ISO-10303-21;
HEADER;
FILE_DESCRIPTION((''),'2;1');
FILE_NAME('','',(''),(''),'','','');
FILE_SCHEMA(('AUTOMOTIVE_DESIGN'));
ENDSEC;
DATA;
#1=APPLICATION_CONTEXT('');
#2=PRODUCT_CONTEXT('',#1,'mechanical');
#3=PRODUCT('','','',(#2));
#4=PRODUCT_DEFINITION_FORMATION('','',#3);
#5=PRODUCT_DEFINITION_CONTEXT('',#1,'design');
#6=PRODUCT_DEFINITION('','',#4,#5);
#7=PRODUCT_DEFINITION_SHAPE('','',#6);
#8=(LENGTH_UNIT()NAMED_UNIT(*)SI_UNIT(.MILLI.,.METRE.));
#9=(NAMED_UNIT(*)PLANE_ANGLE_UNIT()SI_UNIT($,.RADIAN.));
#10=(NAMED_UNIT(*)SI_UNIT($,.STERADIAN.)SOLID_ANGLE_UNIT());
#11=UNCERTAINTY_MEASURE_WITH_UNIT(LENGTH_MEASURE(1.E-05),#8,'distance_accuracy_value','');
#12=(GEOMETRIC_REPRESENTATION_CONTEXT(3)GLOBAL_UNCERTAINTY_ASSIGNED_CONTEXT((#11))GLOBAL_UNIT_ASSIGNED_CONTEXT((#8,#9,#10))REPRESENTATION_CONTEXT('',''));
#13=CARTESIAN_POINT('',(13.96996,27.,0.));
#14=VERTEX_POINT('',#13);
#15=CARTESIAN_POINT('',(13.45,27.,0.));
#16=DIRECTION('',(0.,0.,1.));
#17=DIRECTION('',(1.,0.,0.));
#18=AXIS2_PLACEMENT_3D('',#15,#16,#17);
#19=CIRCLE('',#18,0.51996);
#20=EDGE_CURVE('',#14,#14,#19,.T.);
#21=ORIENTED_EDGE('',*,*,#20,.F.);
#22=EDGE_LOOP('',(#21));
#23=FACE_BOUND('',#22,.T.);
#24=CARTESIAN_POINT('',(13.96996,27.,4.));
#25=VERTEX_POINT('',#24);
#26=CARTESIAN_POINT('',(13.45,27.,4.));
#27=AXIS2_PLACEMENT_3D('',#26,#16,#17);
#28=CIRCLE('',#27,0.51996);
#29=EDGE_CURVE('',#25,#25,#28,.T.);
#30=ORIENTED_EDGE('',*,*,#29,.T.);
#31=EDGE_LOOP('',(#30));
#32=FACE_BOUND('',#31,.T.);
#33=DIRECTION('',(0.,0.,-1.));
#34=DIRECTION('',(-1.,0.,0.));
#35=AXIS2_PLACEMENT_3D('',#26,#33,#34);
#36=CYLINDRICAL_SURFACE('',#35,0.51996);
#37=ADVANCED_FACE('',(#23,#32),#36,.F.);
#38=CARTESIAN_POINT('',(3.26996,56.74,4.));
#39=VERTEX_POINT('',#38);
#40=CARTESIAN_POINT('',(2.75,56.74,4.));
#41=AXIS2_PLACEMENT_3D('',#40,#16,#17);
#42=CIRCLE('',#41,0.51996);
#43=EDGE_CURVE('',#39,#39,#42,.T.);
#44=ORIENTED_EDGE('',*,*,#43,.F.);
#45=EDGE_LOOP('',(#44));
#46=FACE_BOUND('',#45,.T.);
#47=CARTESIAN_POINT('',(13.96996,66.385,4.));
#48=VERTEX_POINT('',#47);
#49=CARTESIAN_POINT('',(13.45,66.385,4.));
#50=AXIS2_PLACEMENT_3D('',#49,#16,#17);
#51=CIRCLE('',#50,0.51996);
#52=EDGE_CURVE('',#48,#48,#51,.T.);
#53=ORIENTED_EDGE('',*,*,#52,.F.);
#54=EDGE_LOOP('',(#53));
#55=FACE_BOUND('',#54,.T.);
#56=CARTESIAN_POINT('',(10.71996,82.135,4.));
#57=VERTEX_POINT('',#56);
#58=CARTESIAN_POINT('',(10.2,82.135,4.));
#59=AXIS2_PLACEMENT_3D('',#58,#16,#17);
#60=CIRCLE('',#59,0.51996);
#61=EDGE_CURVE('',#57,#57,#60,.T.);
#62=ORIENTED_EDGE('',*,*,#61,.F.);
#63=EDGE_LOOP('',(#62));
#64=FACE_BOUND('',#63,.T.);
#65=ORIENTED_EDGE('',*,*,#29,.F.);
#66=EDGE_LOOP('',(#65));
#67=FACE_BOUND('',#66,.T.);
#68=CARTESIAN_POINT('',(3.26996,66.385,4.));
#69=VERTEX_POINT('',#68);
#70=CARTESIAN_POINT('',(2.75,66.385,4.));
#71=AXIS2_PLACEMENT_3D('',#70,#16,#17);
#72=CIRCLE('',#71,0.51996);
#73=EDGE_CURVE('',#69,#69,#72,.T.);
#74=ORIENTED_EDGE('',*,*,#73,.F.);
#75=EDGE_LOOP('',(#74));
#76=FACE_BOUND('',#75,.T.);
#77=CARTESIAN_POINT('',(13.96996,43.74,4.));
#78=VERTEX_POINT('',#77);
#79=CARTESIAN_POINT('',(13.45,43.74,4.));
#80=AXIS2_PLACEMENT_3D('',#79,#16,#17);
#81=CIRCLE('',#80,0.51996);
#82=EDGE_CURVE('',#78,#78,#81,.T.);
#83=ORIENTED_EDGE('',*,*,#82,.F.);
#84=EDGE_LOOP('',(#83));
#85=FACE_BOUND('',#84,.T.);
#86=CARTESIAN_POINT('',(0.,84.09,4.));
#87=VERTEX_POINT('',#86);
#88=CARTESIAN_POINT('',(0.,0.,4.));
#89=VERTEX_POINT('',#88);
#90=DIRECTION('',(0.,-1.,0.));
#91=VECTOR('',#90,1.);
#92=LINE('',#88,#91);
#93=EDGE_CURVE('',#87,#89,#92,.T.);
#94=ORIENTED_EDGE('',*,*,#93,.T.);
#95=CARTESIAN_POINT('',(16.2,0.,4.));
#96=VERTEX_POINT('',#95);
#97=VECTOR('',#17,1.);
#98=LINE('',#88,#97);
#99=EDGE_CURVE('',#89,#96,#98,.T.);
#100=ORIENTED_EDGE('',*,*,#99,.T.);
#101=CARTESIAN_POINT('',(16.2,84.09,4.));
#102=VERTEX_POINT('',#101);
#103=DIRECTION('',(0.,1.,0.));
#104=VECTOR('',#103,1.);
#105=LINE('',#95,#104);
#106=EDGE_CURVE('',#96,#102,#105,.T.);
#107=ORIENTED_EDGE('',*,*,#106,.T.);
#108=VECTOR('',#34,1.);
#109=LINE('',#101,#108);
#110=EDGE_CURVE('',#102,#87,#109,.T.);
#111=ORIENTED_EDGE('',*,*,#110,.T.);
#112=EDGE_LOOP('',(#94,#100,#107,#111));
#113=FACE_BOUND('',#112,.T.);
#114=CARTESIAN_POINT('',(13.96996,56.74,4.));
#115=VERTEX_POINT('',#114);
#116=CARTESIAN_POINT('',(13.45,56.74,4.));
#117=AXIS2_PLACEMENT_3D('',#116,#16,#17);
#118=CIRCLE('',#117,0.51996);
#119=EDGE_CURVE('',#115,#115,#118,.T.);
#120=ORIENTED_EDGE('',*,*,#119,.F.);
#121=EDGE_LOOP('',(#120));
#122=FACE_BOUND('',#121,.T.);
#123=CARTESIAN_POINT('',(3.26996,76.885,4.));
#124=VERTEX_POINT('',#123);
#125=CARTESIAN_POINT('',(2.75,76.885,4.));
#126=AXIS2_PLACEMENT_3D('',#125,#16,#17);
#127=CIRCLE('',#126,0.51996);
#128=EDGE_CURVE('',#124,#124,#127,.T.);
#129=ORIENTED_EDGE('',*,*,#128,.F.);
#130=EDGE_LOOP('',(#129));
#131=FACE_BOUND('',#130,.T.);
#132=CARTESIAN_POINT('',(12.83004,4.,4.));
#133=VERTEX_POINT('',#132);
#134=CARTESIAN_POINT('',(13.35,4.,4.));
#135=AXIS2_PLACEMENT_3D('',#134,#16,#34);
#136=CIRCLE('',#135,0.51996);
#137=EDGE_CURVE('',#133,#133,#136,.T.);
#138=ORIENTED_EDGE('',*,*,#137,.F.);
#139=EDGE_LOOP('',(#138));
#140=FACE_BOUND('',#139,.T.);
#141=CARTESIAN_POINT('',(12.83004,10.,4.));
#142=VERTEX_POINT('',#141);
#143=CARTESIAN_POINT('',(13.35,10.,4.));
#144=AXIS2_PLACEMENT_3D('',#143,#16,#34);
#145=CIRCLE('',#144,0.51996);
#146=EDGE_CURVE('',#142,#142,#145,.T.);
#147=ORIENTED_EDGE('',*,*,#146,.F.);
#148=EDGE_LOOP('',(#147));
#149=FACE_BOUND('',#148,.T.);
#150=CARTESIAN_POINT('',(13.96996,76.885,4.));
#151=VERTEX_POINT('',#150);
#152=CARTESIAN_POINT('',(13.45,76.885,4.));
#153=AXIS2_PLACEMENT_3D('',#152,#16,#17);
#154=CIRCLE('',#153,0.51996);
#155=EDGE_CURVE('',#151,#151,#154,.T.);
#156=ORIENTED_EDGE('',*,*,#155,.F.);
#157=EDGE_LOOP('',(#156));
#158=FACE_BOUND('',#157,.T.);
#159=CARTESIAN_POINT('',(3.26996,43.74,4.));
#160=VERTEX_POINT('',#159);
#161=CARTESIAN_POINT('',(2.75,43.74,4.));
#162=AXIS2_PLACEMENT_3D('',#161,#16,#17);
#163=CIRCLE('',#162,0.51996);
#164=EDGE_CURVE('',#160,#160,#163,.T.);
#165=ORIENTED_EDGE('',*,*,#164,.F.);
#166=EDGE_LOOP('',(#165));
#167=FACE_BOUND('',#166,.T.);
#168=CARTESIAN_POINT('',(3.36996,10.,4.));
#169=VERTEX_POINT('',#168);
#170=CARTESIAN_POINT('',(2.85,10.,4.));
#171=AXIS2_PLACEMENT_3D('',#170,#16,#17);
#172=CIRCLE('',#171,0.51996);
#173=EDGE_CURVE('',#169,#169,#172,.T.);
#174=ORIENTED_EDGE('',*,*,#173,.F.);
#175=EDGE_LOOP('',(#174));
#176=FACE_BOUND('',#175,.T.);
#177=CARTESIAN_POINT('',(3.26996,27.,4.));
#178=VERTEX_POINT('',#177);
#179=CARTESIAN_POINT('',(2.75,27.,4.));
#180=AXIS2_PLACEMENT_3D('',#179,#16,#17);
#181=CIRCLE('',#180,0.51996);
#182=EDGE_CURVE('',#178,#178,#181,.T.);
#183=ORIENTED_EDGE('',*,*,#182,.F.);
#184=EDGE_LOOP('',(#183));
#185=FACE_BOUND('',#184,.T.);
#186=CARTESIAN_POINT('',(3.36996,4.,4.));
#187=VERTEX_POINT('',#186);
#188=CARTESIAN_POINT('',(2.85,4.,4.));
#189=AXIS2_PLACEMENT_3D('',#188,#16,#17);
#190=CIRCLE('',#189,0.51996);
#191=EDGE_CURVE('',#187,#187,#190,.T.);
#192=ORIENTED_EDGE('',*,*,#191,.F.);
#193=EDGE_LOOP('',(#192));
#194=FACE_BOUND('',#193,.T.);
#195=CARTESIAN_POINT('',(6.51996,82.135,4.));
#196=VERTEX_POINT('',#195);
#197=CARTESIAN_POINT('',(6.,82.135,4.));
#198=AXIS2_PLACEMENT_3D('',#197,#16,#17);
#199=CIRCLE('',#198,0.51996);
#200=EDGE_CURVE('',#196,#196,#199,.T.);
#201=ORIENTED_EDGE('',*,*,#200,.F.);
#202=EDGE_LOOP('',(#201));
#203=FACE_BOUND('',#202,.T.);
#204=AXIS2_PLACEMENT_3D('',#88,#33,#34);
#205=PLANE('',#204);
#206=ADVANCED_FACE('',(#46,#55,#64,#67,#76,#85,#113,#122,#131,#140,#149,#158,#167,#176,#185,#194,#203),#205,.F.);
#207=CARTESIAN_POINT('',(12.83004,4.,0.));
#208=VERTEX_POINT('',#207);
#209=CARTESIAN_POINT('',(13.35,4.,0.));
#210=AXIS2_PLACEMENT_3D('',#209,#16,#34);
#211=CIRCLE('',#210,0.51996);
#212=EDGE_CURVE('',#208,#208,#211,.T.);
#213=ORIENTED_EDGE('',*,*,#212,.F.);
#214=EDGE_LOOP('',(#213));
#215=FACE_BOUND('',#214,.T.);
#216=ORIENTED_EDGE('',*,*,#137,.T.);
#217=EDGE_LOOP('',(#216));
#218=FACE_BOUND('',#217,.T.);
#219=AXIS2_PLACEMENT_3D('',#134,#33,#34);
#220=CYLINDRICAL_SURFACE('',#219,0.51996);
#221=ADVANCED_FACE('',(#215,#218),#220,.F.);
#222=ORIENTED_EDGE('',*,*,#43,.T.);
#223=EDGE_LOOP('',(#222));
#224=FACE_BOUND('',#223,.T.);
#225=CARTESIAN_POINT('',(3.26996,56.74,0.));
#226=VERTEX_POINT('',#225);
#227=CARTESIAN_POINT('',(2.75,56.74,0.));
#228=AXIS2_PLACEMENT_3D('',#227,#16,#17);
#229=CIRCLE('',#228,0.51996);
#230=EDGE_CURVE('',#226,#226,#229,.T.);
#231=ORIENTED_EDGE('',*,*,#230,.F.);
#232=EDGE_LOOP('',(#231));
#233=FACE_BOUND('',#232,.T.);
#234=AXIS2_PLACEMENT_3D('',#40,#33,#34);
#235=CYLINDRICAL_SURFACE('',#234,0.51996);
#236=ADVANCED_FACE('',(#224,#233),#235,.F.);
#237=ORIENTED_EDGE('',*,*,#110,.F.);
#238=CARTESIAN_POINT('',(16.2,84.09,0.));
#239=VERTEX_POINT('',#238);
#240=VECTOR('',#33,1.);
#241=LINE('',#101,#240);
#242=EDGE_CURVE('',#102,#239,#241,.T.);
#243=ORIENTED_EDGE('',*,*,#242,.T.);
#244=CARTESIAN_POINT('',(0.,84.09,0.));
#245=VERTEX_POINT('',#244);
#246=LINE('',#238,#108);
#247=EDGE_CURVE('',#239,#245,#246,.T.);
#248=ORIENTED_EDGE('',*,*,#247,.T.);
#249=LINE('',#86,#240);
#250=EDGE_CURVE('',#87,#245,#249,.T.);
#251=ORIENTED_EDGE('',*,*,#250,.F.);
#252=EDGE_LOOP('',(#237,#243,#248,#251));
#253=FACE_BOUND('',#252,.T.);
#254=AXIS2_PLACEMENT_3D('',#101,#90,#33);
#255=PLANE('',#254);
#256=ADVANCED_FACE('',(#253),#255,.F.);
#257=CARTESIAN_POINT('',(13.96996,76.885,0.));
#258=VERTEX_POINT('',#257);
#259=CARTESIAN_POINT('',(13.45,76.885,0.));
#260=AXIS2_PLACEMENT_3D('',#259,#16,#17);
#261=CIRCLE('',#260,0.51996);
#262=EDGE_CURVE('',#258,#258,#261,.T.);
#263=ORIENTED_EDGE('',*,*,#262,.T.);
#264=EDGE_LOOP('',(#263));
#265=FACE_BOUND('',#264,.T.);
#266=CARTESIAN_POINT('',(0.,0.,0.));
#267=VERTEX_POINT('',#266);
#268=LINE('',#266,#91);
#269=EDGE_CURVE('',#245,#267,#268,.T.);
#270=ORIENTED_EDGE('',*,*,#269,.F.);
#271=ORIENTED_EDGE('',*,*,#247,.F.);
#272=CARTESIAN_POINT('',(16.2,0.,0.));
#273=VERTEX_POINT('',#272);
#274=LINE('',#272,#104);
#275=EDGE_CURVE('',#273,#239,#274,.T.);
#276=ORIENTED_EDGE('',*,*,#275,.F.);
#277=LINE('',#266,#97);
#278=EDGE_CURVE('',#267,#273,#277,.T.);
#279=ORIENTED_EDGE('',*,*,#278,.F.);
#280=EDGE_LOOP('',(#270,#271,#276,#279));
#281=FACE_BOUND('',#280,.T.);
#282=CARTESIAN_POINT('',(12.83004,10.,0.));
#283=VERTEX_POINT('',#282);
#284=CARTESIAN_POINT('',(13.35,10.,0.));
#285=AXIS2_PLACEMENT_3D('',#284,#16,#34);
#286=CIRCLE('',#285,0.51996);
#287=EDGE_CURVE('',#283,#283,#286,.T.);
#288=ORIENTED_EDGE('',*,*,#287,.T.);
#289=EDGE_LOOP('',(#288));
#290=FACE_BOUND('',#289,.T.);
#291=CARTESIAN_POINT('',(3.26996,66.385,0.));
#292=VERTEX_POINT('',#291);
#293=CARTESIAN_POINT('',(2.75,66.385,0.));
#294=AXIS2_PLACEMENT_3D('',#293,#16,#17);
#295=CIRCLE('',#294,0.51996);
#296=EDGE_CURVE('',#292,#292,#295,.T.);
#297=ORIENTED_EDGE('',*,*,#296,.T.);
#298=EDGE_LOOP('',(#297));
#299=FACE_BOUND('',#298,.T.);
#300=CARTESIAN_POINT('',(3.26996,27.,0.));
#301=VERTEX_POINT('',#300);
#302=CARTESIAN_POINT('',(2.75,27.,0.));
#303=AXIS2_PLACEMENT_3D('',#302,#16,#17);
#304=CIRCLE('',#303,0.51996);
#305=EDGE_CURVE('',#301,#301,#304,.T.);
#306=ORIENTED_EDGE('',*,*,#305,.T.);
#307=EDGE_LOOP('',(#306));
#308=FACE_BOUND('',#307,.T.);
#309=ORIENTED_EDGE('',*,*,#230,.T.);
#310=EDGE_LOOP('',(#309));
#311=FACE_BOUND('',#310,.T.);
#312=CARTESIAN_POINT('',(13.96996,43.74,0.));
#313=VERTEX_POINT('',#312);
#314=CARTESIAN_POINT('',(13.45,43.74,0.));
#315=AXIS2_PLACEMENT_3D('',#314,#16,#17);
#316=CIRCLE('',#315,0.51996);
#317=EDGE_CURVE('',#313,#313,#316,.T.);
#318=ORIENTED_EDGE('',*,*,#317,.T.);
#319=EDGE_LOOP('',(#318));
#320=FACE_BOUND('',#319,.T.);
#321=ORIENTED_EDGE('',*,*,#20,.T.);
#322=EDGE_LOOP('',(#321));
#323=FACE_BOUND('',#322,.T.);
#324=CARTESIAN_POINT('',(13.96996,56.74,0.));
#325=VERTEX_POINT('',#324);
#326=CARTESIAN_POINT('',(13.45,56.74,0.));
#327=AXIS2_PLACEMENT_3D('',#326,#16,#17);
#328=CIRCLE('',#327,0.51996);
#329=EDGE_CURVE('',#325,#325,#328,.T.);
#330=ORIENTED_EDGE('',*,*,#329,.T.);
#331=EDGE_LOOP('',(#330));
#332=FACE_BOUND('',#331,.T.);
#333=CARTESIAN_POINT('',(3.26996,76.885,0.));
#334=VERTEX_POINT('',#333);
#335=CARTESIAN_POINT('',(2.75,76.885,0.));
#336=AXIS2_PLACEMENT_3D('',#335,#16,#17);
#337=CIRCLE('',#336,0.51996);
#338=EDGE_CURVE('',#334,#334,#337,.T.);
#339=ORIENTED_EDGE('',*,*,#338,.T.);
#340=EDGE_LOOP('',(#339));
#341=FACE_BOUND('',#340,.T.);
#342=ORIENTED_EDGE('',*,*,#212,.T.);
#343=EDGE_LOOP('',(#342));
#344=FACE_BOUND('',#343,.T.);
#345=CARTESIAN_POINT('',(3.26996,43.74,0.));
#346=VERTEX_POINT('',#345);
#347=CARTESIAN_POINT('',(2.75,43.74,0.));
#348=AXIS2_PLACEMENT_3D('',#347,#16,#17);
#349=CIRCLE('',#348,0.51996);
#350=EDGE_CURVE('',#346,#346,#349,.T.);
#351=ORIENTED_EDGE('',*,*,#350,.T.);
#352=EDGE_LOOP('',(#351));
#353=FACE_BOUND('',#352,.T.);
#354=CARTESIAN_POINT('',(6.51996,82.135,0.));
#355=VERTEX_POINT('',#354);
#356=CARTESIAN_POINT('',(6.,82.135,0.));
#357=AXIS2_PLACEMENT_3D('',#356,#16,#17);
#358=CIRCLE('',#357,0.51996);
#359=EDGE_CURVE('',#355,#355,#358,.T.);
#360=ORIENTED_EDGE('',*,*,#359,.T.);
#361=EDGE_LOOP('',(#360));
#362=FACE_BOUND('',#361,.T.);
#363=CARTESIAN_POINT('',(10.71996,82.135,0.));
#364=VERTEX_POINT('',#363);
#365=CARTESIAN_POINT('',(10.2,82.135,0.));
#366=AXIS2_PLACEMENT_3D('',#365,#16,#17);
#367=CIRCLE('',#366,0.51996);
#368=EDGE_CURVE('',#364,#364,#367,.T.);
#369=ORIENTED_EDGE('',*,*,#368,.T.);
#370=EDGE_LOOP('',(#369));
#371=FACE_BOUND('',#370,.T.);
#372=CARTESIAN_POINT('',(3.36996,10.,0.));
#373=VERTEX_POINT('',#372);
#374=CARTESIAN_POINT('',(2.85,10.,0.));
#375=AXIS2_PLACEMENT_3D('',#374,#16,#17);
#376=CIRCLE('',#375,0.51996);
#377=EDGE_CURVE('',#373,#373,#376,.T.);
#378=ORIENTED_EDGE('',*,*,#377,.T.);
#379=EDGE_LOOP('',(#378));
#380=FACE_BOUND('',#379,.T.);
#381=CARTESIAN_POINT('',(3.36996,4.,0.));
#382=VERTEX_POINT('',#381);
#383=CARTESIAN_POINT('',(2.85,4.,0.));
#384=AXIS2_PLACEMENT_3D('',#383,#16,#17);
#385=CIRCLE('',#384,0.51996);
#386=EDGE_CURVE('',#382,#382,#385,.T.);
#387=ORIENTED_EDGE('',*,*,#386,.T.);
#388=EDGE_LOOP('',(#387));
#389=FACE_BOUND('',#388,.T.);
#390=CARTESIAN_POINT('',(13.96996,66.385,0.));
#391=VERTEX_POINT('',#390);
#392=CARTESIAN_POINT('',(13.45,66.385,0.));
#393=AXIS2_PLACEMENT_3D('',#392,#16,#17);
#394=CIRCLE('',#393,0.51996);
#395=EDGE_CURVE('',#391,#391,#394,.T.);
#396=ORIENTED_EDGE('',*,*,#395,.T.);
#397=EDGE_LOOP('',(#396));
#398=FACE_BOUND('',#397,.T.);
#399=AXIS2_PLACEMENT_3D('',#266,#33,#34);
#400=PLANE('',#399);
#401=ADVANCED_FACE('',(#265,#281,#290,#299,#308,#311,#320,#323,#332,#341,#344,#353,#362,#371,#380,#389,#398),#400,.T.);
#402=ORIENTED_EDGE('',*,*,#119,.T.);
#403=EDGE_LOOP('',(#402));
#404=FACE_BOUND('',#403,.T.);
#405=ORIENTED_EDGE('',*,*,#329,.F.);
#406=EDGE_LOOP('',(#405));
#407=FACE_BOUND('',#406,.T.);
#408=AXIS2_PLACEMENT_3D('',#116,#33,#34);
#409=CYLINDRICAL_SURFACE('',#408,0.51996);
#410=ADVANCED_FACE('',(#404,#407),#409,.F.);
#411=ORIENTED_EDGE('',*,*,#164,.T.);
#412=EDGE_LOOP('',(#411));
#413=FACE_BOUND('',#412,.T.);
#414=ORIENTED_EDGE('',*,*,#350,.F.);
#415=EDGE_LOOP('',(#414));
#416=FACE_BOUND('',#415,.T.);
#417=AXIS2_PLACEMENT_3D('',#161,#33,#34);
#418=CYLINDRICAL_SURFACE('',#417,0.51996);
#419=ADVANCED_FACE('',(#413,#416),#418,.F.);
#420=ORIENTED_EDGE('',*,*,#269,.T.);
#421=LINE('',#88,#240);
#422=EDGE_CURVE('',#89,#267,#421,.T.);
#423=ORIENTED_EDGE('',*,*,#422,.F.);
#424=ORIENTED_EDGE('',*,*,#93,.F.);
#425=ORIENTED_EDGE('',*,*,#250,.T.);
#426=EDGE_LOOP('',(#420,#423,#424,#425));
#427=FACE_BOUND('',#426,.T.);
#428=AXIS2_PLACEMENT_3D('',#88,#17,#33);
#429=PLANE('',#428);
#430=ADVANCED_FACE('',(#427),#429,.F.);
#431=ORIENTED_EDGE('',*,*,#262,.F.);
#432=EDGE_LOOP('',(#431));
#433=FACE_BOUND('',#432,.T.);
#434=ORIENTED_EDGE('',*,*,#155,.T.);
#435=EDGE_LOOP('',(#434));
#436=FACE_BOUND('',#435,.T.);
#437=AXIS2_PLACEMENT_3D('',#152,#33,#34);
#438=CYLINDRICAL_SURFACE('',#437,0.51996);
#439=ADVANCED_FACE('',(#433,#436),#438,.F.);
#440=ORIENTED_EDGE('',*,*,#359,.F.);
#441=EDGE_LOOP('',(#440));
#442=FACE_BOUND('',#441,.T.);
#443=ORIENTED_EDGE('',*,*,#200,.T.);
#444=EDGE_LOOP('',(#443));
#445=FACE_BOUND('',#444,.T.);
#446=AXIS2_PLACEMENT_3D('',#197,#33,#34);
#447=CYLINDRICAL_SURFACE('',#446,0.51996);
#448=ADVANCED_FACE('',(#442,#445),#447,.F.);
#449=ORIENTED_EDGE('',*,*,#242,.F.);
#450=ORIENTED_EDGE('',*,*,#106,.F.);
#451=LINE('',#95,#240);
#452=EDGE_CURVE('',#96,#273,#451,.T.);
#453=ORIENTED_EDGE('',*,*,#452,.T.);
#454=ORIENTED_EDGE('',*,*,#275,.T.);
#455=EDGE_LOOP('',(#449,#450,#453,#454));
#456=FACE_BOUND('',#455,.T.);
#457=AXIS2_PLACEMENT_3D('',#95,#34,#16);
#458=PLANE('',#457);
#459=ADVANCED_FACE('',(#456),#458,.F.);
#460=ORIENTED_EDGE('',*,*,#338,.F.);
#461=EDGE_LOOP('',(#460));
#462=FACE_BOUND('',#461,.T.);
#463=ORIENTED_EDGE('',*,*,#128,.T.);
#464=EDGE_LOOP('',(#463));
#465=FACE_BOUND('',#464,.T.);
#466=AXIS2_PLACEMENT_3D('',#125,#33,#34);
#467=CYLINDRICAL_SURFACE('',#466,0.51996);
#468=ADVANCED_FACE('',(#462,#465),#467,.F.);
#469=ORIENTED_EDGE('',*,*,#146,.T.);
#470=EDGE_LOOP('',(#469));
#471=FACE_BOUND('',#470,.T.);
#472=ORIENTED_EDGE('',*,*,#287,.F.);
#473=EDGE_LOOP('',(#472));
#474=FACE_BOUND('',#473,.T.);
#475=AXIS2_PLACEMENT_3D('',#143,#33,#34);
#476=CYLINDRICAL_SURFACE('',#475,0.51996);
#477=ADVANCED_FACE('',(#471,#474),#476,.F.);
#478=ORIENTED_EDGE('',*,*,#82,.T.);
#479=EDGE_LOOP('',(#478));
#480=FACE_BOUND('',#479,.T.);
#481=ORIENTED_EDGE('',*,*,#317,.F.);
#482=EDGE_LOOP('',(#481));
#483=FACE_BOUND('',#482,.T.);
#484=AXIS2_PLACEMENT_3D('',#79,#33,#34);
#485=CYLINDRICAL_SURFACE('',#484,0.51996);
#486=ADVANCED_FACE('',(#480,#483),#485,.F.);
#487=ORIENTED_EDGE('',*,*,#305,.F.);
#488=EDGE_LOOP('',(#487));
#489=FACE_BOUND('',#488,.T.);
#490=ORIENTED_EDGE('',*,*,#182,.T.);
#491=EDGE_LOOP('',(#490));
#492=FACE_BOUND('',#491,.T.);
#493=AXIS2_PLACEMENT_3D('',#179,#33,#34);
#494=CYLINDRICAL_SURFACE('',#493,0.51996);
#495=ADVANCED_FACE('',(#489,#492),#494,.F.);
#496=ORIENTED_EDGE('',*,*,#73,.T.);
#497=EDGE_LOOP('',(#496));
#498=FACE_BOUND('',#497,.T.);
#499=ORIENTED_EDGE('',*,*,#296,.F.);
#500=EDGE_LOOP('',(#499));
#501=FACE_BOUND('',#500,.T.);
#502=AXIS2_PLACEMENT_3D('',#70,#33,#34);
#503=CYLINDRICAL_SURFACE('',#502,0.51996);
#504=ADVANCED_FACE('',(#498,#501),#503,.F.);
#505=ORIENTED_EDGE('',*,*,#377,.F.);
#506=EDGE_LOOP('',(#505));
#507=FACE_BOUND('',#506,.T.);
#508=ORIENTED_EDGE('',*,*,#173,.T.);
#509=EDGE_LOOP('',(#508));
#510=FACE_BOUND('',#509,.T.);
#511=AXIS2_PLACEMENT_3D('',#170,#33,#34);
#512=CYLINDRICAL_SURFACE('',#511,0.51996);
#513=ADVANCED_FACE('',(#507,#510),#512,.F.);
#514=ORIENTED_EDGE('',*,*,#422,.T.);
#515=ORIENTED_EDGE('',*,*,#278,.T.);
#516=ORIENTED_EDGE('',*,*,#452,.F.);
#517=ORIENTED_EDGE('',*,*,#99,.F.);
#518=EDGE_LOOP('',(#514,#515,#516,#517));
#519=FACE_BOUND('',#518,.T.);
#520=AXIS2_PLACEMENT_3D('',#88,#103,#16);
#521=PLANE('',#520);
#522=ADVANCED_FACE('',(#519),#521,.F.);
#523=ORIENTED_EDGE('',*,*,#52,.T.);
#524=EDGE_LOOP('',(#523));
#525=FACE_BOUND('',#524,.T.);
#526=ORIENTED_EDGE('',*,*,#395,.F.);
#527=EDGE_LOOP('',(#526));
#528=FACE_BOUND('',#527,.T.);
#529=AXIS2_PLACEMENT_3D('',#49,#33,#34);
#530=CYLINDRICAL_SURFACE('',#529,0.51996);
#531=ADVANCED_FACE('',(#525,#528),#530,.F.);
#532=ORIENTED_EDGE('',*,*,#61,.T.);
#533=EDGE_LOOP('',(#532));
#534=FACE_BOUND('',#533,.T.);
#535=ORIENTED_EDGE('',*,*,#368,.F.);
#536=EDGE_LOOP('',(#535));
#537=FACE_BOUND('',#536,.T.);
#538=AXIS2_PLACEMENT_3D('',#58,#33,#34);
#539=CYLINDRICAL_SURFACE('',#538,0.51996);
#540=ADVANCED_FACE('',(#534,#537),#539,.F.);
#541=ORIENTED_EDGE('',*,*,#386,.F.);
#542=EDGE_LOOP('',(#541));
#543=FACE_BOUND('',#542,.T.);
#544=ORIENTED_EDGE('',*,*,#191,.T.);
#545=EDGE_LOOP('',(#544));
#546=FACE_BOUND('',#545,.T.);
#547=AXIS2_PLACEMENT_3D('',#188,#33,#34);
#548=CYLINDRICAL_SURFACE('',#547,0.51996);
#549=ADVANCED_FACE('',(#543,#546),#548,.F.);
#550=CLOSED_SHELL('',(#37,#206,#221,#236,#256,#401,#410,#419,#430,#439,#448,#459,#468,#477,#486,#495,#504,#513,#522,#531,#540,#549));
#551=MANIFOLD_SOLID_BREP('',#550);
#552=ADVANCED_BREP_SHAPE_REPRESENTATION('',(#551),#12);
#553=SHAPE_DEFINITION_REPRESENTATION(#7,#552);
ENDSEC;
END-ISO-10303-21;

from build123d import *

# Parameters (mm, degrees)
SKETCH1_W           = 16.2
SKETCH1_H           = 84.09
SKETCH1_R           = 0.519960121
BOSS_EXTRUDE1_DEPTH = 4


with BuildPart() as part:
    # Sketch1 → Boss-Extrude1 (new body)
    with BuildSketch(Plane.XY):
        with Locations((8.1, 42.045)):
            Rectangle(SKETCH1_W, SKETCH1_H)
        with Locations((13.45, 43.74)):
            Circle(SKETCH1_R, mode=Mode.SUBTRACT)
        with Locations((2.75, 66.385)):
            Circle(SKETCH1_R, mode=Mode.SUBTRACT)
        with Locations((13.45, 56.74)):
            Circle(SKETCH1_R, mode=Mode.SUBTRACT)
        with Locations((13.45, 76.885)):
            Circle(SKETCH1_R, mode=Mode.SUBTRACT)
        with Locations((2.75, 27)):
            Circle(SKETCH1_R, mode=Mode.SUBTRACT)
        with Locations((2.75, 76.885)):
            Circle(SKETCH1_R, mode=Mode.SUBTRACT)
        with Locations((2.75, 56.74)):
            Circle(SKETCH1_R, mode=Mode.SUBTRACT)
        with Locations((2.85, 10)):
            Circle(SKETCH1_R, mode=Mode.SUBTRACT)
        with Locations((13.35, 10)):
            Circle(SKETCH1_R, mode=Mode.SUBTRACT)
        with Locations((13.35, 4)):
            Circle(SKETCH1_R, mode=Mode.SUBTRACT)
        with Locations((2.85, 4)):
            Circle(SKETCH1_R, mode=Mode.SUBTRACT)
        with Locations((6, 82.135)):
            Circle(SKETCH1_R, mode=Mode.SUBTRACT)
        with Locations((13.45, 27)):
            Circle(SKETCH1_R, mode=Mode.SUBTRACT)
        with Locations((13.45, 66.385)):
            Circle(SKETCH1_R, mode=Mode.SUBTRACT)
        with Locations((10.2, 82.135)):
            Circle(SKETCH1_R, mode=Mode.SUBTRACT)
        with Locations((2.75, 43.74)):
            Circle(SKETCH1_R, mode=Mode.SUBTRACT)
    extrude(amount=BOSS_EXTRUDE1_DEPTH)


solid = part.part
